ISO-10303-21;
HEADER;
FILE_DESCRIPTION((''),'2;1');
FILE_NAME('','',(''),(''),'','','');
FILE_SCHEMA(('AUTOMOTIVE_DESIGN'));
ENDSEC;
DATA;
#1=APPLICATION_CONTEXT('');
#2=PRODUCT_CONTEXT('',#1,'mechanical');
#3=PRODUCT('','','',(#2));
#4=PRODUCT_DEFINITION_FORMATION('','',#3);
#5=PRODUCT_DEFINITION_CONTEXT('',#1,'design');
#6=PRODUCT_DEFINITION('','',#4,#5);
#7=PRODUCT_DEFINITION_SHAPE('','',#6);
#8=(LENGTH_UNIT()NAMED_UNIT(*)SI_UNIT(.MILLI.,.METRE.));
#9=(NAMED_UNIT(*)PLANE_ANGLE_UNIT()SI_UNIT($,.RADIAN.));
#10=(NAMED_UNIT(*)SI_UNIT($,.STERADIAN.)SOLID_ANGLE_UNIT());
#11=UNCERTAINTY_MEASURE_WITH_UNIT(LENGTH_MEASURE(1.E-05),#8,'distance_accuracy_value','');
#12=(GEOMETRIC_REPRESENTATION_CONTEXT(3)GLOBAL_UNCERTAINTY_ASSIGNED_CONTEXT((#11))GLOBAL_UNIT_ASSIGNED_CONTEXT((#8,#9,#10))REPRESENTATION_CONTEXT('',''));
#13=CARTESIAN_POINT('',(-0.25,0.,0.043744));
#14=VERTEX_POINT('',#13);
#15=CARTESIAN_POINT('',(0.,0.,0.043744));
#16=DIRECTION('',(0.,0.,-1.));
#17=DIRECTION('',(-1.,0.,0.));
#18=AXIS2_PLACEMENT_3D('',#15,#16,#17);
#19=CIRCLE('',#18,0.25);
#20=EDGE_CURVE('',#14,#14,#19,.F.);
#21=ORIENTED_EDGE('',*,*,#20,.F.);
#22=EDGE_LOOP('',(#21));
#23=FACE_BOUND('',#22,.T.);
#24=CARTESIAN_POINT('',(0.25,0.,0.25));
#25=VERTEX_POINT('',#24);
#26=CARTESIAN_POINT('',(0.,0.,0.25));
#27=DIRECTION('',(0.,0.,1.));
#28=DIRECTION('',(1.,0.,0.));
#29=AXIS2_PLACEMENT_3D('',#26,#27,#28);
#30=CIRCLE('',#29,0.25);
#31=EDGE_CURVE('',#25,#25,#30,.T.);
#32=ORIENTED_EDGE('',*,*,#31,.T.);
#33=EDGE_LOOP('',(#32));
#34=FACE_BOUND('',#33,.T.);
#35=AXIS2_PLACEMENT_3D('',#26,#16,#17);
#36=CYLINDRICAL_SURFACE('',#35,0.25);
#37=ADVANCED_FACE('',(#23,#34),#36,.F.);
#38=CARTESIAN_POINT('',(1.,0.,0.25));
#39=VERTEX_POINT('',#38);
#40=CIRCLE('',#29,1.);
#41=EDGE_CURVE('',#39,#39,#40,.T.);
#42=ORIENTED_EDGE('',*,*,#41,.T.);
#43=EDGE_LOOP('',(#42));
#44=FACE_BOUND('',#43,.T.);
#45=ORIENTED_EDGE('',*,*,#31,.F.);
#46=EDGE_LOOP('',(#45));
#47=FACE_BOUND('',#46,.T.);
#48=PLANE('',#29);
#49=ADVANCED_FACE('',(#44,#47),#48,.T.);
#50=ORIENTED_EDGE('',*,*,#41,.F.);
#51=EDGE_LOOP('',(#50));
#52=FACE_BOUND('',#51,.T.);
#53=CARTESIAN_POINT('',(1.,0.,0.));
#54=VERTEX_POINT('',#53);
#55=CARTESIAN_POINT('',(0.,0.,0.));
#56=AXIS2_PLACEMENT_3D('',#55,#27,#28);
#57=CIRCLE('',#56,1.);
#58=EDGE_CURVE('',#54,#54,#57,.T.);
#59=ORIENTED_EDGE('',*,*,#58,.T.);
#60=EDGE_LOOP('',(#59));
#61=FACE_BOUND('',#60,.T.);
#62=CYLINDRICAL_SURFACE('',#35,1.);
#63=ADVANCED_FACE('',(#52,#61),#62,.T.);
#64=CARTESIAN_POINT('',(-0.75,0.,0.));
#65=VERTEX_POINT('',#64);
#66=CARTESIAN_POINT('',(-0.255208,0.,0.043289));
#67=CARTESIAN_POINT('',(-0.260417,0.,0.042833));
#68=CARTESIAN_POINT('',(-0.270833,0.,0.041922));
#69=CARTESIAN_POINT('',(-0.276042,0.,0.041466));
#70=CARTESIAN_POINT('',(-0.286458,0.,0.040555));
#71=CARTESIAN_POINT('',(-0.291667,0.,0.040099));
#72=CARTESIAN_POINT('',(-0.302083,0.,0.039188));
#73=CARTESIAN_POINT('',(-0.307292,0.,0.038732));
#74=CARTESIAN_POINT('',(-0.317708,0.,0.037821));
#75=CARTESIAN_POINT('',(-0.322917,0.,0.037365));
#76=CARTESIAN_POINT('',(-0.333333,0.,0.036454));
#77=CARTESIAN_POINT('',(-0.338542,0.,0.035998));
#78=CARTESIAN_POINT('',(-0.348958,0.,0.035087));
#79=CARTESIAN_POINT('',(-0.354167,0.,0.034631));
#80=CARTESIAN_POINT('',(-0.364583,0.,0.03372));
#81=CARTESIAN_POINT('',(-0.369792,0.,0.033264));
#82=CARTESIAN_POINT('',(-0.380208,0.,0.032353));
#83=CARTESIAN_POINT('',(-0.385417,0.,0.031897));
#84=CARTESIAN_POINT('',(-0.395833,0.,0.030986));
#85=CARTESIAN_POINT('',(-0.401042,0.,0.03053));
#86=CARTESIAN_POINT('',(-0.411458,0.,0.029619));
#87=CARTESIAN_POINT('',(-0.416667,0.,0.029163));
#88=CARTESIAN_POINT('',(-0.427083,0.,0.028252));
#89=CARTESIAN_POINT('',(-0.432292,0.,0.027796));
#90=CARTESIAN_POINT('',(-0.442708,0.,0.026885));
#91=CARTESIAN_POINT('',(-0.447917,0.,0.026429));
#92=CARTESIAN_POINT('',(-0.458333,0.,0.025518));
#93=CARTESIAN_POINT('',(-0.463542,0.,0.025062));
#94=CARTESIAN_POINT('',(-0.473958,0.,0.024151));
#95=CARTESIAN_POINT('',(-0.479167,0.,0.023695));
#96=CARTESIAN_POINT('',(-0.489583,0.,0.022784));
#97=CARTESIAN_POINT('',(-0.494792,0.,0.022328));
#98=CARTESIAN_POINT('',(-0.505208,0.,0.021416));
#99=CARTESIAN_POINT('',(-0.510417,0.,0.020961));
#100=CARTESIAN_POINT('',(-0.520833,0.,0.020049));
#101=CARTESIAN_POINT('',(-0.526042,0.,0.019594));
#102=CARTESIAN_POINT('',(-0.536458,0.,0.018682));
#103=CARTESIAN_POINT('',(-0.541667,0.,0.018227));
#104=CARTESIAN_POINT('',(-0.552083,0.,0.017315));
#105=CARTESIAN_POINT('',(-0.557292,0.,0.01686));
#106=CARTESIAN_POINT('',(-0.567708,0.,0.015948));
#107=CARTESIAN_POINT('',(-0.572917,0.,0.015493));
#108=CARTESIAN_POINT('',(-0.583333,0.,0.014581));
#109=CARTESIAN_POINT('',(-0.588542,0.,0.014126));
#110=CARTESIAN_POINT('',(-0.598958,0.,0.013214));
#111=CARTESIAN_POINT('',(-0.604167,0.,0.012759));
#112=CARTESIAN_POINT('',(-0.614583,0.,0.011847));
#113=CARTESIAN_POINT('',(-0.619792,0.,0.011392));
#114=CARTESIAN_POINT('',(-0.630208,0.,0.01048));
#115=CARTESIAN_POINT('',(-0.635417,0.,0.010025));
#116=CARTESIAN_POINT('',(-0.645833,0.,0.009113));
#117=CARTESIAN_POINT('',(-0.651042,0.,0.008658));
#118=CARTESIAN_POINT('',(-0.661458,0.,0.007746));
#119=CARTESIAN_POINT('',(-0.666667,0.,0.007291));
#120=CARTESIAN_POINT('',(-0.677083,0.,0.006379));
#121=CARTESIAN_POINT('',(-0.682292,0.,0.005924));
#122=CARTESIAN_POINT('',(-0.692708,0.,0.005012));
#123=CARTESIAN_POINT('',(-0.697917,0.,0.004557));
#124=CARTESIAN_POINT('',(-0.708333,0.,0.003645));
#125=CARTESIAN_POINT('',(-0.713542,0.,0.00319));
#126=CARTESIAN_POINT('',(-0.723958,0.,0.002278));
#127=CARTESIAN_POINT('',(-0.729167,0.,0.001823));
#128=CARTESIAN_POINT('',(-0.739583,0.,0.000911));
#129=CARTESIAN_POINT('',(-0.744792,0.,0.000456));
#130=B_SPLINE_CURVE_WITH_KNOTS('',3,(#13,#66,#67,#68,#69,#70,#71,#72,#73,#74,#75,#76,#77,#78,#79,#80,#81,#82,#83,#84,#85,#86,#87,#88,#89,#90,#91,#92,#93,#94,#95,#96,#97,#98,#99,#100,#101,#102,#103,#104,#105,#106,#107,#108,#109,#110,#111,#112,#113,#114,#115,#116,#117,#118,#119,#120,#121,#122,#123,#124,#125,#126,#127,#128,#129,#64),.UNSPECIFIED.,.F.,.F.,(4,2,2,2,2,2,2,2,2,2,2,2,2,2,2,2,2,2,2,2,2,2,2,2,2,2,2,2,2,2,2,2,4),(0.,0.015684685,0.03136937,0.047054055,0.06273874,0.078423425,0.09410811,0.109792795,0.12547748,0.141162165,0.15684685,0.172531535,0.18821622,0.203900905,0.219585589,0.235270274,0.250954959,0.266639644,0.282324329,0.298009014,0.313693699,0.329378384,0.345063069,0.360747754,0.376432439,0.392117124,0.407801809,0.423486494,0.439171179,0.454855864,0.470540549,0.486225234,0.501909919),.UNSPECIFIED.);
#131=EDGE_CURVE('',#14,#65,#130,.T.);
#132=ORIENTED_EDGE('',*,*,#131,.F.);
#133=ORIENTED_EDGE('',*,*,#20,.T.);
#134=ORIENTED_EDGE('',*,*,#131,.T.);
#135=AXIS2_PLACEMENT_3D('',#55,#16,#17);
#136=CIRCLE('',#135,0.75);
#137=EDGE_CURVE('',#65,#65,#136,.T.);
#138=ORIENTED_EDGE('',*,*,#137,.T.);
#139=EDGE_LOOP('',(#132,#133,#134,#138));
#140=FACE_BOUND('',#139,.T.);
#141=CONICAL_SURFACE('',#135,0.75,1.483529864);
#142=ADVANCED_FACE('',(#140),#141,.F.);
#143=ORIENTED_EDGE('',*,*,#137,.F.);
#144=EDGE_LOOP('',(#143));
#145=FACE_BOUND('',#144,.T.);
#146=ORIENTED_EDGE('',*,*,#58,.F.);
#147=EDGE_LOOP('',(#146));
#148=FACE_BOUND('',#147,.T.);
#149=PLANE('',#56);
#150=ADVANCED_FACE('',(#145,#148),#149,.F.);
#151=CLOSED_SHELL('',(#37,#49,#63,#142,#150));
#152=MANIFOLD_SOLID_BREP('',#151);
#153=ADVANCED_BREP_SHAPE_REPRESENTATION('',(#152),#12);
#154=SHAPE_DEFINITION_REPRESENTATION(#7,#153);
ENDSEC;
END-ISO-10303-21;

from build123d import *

# Parameters (mm, degrees)
CROQUIS1_R              = 1
CROQUIS1_R_2            = 0.25
SALIENTE_EXTRUIR1_DEPTH = 0.25


with BuildPart() as part:
    # Croquis1 → Saliente-Extruir1 (new body)
    with BuildSketch(Plane.XY):
        Circle(CROQUIS1_R)
        Circle(CROQUIS1_R_2, mode=Mode.SUBTRACT)
    extrude(amount=SALIENTE_EXTRUIR1_DEPTH)

    # Cortar-Extruir1 cone 1 section (through the dimple's axis) → Cortar-Extruir1 (revolve, cut)
    with BuildSketch(Plane.YZ):
        Polygon((0, 0), (0.75, 0), (0, 0.065616498), align=None)
    revolve(axis=Axis((0, 0, 0), (0, 0, 1)), mode=Mode.SUBTRACT)


solid = part.part
